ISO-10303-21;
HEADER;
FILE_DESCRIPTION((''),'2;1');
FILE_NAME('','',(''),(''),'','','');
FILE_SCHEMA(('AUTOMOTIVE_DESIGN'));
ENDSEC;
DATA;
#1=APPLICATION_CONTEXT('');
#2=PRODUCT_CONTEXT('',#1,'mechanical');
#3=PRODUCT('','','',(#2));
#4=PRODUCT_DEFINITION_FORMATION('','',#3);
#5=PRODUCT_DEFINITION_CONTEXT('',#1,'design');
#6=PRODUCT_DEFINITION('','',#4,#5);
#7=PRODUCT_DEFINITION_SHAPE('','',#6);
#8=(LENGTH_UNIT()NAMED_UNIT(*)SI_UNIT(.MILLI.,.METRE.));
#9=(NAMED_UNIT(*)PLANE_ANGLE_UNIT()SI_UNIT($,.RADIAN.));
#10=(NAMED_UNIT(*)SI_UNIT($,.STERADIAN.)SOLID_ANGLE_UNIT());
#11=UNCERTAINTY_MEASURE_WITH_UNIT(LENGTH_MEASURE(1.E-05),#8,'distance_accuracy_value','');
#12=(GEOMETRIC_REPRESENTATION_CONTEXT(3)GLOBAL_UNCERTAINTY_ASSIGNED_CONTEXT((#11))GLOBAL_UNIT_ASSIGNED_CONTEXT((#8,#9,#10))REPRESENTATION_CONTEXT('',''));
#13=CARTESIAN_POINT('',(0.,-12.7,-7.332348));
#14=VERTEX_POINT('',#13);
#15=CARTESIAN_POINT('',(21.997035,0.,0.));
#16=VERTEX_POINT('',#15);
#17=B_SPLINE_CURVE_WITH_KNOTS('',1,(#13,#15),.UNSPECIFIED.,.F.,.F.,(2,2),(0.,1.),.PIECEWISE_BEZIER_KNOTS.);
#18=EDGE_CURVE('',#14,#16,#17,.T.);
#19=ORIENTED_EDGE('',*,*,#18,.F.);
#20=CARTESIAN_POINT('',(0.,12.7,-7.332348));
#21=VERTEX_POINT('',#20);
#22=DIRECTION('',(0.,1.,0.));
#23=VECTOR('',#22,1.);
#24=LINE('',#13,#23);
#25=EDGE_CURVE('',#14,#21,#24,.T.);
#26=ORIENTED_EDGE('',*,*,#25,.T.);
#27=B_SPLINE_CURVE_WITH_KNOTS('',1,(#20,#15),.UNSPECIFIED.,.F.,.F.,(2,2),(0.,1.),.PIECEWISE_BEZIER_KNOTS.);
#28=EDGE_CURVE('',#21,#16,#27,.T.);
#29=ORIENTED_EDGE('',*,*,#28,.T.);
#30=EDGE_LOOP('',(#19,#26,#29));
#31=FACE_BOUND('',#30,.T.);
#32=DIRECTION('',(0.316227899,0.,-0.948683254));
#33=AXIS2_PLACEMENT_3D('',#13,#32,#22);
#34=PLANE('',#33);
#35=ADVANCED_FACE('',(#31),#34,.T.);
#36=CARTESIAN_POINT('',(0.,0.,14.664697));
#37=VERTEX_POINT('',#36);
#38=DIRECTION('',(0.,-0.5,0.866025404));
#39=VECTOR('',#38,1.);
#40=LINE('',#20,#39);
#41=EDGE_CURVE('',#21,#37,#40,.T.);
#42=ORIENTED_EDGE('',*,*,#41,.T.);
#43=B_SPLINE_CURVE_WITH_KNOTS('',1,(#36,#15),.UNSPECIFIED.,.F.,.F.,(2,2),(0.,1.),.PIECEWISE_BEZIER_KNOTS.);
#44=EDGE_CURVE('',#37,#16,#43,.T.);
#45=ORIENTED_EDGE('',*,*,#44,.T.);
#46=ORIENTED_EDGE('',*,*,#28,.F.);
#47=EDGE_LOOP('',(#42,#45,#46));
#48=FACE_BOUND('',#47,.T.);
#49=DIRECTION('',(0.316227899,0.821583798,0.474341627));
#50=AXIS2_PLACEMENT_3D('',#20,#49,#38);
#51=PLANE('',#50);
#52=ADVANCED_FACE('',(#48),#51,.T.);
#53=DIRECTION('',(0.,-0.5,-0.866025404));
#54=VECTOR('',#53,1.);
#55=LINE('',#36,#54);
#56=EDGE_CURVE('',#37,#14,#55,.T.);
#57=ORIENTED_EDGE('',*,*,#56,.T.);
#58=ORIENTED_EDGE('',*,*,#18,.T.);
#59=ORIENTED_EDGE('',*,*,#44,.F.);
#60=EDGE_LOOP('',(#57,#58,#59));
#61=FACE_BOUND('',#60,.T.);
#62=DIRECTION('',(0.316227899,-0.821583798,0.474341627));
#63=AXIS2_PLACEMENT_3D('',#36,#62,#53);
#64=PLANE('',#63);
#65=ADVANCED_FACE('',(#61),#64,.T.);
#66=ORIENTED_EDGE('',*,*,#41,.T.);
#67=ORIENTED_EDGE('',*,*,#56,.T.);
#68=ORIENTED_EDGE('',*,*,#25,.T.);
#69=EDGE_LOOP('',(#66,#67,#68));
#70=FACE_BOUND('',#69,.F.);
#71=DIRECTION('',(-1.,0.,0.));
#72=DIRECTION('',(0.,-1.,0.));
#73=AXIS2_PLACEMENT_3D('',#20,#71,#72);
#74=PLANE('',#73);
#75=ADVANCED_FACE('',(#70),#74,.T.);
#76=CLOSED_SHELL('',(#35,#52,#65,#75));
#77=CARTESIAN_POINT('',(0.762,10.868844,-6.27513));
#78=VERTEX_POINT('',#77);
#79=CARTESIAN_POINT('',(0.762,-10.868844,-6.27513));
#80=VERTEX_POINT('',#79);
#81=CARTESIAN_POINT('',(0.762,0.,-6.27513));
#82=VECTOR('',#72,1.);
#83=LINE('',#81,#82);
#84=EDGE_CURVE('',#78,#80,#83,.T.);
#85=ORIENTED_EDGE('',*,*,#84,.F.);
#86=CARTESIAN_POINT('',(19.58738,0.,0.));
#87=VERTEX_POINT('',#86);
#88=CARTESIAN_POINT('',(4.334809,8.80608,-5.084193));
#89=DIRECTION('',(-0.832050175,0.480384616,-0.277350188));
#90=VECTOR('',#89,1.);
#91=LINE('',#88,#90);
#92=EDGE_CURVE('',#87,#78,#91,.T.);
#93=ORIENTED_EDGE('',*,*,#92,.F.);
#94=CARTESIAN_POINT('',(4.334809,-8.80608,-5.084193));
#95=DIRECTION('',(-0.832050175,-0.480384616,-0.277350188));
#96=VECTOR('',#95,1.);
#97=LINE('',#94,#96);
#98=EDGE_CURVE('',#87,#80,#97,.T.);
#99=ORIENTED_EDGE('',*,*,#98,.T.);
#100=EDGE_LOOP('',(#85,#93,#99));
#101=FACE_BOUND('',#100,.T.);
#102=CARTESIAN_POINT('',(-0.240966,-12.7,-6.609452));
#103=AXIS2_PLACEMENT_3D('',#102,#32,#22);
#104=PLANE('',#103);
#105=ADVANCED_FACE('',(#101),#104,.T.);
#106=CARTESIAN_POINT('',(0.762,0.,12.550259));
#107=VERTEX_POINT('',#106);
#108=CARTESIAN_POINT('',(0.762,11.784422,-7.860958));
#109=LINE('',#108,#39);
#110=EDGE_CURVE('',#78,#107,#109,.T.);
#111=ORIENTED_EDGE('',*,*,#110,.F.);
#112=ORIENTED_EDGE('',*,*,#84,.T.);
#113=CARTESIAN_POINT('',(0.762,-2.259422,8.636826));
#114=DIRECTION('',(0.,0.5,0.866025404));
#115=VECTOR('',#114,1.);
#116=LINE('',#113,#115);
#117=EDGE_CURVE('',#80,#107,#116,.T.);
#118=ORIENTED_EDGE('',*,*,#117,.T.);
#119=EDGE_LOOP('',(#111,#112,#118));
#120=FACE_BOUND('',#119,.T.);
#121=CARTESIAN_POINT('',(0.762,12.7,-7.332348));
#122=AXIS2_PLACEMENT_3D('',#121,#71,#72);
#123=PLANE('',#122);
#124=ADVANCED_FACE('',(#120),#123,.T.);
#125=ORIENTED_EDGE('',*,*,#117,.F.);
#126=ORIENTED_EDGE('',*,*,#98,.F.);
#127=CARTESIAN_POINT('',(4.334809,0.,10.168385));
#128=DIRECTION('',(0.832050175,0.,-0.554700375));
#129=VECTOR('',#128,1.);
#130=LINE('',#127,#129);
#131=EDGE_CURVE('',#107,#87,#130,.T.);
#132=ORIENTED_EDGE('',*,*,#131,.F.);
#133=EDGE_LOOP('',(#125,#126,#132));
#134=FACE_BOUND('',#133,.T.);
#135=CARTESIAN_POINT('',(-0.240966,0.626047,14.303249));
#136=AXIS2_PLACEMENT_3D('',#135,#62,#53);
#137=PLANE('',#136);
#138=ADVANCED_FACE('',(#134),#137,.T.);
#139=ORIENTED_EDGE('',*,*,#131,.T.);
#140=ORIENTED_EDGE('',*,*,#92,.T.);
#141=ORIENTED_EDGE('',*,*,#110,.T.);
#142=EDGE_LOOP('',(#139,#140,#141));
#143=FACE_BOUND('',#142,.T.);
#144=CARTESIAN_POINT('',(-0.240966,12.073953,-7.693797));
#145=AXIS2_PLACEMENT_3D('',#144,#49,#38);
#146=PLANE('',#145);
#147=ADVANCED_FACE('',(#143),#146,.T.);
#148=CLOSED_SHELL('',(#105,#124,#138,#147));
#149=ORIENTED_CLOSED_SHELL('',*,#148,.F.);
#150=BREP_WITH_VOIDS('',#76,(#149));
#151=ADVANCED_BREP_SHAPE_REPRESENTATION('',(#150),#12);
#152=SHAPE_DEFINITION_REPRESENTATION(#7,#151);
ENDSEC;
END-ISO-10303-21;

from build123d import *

# Parameters (mm, degrees)
F4_T = -0.762


with BuildPart() as f3:
    # F0 (on Right) → F3 section 0
    with BuildSketch(Plane.YZ, mode=Mode.PRIVATE) as f3_s0:
        Polygon((12.7, -7.3323484187), (0, 14.6646968374), (-12.7, -7.3323484187), align=None)
    loft([f3_s0.sketch, Vertex(21.997035, 0, 0)])

    # F4 (hollow: no face is removed)
    offset(amount=F4_T, mode=Mode.SUBTRACT)


solid = f3.part
